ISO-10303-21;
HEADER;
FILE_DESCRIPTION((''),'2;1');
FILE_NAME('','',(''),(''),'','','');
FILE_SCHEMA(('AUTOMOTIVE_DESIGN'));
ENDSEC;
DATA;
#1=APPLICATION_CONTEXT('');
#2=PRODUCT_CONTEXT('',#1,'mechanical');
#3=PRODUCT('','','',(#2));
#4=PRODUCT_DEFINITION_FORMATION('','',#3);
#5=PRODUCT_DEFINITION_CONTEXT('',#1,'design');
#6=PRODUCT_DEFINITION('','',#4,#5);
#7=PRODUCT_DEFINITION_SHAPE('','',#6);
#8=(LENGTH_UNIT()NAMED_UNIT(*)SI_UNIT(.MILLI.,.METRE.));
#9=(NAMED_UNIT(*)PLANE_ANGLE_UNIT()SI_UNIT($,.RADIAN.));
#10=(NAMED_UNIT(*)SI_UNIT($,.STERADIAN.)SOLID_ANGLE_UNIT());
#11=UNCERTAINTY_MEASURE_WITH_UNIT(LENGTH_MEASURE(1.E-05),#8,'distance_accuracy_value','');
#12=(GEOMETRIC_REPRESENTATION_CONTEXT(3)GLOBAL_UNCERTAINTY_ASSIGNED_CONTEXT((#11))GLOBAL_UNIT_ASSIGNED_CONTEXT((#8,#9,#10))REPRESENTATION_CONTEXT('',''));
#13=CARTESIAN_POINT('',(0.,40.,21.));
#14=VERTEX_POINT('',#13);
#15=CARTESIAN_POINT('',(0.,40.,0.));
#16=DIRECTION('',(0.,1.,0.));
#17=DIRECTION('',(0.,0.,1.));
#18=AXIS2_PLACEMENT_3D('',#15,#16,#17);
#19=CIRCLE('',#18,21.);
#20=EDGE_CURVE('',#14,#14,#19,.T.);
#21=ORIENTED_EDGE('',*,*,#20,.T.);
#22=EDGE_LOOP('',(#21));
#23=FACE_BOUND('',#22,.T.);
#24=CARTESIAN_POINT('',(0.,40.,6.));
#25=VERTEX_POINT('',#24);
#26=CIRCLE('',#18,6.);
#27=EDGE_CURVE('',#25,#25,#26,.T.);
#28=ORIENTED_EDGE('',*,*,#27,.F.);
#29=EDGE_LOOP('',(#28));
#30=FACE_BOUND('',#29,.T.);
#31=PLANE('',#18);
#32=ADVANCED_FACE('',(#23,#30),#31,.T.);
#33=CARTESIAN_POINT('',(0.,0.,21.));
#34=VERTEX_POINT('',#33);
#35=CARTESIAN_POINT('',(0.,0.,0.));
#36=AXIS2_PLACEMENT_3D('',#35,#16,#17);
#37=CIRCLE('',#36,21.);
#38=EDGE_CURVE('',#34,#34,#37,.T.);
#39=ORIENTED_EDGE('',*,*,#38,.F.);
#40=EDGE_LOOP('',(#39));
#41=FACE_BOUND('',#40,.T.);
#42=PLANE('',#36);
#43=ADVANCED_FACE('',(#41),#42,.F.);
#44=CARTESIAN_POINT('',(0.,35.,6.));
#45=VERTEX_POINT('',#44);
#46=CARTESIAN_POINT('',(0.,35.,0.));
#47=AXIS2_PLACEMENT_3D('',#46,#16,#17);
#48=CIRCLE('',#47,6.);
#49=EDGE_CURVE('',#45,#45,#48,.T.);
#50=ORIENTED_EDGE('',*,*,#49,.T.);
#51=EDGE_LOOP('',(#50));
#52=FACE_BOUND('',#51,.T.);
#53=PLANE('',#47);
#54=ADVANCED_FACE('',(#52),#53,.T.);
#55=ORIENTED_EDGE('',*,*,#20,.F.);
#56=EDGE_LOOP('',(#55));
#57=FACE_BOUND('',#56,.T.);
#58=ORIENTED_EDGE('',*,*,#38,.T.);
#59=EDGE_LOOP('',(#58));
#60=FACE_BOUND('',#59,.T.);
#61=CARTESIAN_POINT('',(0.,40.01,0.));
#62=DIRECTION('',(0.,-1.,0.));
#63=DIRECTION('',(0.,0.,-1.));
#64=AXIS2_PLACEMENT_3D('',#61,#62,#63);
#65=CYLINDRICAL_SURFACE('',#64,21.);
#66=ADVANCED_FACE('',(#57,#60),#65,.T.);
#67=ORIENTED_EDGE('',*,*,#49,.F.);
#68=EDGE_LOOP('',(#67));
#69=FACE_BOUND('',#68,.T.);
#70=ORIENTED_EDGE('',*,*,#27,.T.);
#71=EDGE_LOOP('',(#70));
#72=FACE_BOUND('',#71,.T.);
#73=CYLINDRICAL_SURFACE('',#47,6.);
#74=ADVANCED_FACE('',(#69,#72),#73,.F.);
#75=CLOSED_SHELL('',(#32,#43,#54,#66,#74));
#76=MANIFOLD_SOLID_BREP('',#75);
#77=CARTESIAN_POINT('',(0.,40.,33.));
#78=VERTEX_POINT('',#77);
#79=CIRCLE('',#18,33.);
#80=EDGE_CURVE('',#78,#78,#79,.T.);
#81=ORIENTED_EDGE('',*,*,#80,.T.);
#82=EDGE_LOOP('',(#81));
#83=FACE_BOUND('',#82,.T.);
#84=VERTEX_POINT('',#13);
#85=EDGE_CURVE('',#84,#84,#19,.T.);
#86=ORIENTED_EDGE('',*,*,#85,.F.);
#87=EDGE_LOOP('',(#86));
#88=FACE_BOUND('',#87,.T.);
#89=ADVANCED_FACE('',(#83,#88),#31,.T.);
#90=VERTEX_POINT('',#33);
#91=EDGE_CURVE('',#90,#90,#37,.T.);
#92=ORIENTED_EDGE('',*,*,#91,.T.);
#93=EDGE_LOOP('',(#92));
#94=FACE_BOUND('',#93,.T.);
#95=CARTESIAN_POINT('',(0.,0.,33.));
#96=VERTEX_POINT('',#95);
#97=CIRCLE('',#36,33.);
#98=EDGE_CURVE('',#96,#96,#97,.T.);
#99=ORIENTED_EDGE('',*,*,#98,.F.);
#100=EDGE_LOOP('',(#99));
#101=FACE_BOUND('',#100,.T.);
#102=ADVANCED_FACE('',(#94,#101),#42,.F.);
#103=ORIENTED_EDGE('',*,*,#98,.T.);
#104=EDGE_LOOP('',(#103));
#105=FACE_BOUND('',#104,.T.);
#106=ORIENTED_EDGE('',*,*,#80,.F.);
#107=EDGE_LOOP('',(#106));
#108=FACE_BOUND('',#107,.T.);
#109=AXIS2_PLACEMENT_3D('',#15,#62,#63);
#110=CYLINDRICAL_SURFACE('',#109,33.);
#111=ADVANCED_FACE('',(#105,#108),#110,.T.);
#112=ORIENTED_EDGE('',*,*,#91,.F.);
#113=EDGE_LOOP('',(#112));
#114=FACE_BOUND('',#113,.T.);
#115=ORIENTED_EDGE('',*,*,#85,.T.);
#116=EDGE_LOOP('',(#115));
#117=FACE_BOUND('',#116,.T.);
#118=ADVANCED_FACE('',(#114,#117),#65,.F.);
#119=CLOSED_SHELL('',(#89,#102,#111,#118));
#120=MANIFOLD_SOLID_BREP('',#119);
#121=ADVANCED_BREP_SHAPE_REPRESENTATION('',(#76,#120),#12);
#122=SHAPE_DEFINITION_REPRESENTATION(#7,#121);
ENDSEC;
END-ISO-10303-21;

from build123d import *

# Parameters (mm, degrees)
SKETCH_1_R                     = 33
EXTRUDE_1_DEPTH                = 40
SKETCH_2_R                     = 6
CUT_EXTRUDE_1_DEPTH            = 5
SPLIT_BODIES_1_SURFACE_1_BACK  = 102.548
SPLIT_BODIES_1_SURFACE_1_DEPTH = 205.096
SPLIT_BODIES_1_SURFACE_2_BACK  = 102.548
SPLIT_BODIES_1_SURFACE_2_DEPTH = 205.096


with BuildPart() as part:
    # 草图1 → 凸台-拉伸1 (new body)
    with BuildSketch(Plane(origin=(0, 0, 0), x_dir=(1, 0, 0), z_dir=(0, 1, 0))):
        with Locations(Location((0, 0, 0), (0, 0, 270))):
            Circle(SKETCH_1_R)
    extrude(amount=EXTRUDE_1_DEPTH)

    # 草图2 → 切除-拉伸1 (cut)
    with BuildSketch(Plane(origin=(0, 40, 0), x_dir=(1, 0, 0), z_dir=(0, 1, 0))):
        with Locations(Location((0, 0, 0), (0, 0, 270))):
            Circle(SKETCH_2_R)
    extrude(amount=-CUT_EXTRUDE_1_DEPTH, mode=Mode.SUBTRACT)


with BuildPart() as body_2:
    # Split Bodies 1: the piece behind the surface
    add(part.part)
    # Split Bodies 1 surface: a surface, the sketch's curves swept straight by 205.096 mm
    with BuildLine(Plane.XZ.offset(-SPLIT_BODIES_1_SURFACE_1_BACK), mode=Mode.PRIVATE) as split_bodies_1_surface_1_path:
        CenterArc((0, 0), 21, 0, 360)
    split_bodies_1_surface_1 = Shell.extrude(split_bodies_1_surface_1_path.wire(), (0 * SPLIT_BODIES_1_SURFACE_1_DEPTH, -1 * SPLIT_BODIES_1_SURFACE_1_DEPTH, 0 * SPLIT_BODIES_1_SURFACE_1_DEPTH))
    split(bisect_by=split_bodies_1_surface_1, keep=Keep.BOTTOM)


with BuildPart() as part_1:
    add(part.part)

    # Split Bodies 1: split by a surface, the side it looks to stays
    # Split Bodies 1 surface: a surface, the sketch's curves swept straight by 205.096 mm
    with BuildLine(Plane.XZ.offset(-SPLIT_BODIES_1_SURFACE_2_BACK), mode=Mode.PRIVATE) as split_bodies_1_surface_2_path:
        CenterArc((0, 0), 21, 0, 360)
    split_bodies_1_surface_2 = Shell.extrude(split_bodies_1_surface_2_path.wire(), (0 * SPLIT_BODIES_1_SURFACE_2_DEPTH, -1 * SPLIT_BODIES_1_SURFACE_2_DEPTH, 0 * SPLIT_BODIES_1_SURFACE_2_DEPTH))
    split(bisect_by=split_bodies_1_surface_2, keep=Keep.TOP)


solid = Compound([body_2.part, part_1.part])
